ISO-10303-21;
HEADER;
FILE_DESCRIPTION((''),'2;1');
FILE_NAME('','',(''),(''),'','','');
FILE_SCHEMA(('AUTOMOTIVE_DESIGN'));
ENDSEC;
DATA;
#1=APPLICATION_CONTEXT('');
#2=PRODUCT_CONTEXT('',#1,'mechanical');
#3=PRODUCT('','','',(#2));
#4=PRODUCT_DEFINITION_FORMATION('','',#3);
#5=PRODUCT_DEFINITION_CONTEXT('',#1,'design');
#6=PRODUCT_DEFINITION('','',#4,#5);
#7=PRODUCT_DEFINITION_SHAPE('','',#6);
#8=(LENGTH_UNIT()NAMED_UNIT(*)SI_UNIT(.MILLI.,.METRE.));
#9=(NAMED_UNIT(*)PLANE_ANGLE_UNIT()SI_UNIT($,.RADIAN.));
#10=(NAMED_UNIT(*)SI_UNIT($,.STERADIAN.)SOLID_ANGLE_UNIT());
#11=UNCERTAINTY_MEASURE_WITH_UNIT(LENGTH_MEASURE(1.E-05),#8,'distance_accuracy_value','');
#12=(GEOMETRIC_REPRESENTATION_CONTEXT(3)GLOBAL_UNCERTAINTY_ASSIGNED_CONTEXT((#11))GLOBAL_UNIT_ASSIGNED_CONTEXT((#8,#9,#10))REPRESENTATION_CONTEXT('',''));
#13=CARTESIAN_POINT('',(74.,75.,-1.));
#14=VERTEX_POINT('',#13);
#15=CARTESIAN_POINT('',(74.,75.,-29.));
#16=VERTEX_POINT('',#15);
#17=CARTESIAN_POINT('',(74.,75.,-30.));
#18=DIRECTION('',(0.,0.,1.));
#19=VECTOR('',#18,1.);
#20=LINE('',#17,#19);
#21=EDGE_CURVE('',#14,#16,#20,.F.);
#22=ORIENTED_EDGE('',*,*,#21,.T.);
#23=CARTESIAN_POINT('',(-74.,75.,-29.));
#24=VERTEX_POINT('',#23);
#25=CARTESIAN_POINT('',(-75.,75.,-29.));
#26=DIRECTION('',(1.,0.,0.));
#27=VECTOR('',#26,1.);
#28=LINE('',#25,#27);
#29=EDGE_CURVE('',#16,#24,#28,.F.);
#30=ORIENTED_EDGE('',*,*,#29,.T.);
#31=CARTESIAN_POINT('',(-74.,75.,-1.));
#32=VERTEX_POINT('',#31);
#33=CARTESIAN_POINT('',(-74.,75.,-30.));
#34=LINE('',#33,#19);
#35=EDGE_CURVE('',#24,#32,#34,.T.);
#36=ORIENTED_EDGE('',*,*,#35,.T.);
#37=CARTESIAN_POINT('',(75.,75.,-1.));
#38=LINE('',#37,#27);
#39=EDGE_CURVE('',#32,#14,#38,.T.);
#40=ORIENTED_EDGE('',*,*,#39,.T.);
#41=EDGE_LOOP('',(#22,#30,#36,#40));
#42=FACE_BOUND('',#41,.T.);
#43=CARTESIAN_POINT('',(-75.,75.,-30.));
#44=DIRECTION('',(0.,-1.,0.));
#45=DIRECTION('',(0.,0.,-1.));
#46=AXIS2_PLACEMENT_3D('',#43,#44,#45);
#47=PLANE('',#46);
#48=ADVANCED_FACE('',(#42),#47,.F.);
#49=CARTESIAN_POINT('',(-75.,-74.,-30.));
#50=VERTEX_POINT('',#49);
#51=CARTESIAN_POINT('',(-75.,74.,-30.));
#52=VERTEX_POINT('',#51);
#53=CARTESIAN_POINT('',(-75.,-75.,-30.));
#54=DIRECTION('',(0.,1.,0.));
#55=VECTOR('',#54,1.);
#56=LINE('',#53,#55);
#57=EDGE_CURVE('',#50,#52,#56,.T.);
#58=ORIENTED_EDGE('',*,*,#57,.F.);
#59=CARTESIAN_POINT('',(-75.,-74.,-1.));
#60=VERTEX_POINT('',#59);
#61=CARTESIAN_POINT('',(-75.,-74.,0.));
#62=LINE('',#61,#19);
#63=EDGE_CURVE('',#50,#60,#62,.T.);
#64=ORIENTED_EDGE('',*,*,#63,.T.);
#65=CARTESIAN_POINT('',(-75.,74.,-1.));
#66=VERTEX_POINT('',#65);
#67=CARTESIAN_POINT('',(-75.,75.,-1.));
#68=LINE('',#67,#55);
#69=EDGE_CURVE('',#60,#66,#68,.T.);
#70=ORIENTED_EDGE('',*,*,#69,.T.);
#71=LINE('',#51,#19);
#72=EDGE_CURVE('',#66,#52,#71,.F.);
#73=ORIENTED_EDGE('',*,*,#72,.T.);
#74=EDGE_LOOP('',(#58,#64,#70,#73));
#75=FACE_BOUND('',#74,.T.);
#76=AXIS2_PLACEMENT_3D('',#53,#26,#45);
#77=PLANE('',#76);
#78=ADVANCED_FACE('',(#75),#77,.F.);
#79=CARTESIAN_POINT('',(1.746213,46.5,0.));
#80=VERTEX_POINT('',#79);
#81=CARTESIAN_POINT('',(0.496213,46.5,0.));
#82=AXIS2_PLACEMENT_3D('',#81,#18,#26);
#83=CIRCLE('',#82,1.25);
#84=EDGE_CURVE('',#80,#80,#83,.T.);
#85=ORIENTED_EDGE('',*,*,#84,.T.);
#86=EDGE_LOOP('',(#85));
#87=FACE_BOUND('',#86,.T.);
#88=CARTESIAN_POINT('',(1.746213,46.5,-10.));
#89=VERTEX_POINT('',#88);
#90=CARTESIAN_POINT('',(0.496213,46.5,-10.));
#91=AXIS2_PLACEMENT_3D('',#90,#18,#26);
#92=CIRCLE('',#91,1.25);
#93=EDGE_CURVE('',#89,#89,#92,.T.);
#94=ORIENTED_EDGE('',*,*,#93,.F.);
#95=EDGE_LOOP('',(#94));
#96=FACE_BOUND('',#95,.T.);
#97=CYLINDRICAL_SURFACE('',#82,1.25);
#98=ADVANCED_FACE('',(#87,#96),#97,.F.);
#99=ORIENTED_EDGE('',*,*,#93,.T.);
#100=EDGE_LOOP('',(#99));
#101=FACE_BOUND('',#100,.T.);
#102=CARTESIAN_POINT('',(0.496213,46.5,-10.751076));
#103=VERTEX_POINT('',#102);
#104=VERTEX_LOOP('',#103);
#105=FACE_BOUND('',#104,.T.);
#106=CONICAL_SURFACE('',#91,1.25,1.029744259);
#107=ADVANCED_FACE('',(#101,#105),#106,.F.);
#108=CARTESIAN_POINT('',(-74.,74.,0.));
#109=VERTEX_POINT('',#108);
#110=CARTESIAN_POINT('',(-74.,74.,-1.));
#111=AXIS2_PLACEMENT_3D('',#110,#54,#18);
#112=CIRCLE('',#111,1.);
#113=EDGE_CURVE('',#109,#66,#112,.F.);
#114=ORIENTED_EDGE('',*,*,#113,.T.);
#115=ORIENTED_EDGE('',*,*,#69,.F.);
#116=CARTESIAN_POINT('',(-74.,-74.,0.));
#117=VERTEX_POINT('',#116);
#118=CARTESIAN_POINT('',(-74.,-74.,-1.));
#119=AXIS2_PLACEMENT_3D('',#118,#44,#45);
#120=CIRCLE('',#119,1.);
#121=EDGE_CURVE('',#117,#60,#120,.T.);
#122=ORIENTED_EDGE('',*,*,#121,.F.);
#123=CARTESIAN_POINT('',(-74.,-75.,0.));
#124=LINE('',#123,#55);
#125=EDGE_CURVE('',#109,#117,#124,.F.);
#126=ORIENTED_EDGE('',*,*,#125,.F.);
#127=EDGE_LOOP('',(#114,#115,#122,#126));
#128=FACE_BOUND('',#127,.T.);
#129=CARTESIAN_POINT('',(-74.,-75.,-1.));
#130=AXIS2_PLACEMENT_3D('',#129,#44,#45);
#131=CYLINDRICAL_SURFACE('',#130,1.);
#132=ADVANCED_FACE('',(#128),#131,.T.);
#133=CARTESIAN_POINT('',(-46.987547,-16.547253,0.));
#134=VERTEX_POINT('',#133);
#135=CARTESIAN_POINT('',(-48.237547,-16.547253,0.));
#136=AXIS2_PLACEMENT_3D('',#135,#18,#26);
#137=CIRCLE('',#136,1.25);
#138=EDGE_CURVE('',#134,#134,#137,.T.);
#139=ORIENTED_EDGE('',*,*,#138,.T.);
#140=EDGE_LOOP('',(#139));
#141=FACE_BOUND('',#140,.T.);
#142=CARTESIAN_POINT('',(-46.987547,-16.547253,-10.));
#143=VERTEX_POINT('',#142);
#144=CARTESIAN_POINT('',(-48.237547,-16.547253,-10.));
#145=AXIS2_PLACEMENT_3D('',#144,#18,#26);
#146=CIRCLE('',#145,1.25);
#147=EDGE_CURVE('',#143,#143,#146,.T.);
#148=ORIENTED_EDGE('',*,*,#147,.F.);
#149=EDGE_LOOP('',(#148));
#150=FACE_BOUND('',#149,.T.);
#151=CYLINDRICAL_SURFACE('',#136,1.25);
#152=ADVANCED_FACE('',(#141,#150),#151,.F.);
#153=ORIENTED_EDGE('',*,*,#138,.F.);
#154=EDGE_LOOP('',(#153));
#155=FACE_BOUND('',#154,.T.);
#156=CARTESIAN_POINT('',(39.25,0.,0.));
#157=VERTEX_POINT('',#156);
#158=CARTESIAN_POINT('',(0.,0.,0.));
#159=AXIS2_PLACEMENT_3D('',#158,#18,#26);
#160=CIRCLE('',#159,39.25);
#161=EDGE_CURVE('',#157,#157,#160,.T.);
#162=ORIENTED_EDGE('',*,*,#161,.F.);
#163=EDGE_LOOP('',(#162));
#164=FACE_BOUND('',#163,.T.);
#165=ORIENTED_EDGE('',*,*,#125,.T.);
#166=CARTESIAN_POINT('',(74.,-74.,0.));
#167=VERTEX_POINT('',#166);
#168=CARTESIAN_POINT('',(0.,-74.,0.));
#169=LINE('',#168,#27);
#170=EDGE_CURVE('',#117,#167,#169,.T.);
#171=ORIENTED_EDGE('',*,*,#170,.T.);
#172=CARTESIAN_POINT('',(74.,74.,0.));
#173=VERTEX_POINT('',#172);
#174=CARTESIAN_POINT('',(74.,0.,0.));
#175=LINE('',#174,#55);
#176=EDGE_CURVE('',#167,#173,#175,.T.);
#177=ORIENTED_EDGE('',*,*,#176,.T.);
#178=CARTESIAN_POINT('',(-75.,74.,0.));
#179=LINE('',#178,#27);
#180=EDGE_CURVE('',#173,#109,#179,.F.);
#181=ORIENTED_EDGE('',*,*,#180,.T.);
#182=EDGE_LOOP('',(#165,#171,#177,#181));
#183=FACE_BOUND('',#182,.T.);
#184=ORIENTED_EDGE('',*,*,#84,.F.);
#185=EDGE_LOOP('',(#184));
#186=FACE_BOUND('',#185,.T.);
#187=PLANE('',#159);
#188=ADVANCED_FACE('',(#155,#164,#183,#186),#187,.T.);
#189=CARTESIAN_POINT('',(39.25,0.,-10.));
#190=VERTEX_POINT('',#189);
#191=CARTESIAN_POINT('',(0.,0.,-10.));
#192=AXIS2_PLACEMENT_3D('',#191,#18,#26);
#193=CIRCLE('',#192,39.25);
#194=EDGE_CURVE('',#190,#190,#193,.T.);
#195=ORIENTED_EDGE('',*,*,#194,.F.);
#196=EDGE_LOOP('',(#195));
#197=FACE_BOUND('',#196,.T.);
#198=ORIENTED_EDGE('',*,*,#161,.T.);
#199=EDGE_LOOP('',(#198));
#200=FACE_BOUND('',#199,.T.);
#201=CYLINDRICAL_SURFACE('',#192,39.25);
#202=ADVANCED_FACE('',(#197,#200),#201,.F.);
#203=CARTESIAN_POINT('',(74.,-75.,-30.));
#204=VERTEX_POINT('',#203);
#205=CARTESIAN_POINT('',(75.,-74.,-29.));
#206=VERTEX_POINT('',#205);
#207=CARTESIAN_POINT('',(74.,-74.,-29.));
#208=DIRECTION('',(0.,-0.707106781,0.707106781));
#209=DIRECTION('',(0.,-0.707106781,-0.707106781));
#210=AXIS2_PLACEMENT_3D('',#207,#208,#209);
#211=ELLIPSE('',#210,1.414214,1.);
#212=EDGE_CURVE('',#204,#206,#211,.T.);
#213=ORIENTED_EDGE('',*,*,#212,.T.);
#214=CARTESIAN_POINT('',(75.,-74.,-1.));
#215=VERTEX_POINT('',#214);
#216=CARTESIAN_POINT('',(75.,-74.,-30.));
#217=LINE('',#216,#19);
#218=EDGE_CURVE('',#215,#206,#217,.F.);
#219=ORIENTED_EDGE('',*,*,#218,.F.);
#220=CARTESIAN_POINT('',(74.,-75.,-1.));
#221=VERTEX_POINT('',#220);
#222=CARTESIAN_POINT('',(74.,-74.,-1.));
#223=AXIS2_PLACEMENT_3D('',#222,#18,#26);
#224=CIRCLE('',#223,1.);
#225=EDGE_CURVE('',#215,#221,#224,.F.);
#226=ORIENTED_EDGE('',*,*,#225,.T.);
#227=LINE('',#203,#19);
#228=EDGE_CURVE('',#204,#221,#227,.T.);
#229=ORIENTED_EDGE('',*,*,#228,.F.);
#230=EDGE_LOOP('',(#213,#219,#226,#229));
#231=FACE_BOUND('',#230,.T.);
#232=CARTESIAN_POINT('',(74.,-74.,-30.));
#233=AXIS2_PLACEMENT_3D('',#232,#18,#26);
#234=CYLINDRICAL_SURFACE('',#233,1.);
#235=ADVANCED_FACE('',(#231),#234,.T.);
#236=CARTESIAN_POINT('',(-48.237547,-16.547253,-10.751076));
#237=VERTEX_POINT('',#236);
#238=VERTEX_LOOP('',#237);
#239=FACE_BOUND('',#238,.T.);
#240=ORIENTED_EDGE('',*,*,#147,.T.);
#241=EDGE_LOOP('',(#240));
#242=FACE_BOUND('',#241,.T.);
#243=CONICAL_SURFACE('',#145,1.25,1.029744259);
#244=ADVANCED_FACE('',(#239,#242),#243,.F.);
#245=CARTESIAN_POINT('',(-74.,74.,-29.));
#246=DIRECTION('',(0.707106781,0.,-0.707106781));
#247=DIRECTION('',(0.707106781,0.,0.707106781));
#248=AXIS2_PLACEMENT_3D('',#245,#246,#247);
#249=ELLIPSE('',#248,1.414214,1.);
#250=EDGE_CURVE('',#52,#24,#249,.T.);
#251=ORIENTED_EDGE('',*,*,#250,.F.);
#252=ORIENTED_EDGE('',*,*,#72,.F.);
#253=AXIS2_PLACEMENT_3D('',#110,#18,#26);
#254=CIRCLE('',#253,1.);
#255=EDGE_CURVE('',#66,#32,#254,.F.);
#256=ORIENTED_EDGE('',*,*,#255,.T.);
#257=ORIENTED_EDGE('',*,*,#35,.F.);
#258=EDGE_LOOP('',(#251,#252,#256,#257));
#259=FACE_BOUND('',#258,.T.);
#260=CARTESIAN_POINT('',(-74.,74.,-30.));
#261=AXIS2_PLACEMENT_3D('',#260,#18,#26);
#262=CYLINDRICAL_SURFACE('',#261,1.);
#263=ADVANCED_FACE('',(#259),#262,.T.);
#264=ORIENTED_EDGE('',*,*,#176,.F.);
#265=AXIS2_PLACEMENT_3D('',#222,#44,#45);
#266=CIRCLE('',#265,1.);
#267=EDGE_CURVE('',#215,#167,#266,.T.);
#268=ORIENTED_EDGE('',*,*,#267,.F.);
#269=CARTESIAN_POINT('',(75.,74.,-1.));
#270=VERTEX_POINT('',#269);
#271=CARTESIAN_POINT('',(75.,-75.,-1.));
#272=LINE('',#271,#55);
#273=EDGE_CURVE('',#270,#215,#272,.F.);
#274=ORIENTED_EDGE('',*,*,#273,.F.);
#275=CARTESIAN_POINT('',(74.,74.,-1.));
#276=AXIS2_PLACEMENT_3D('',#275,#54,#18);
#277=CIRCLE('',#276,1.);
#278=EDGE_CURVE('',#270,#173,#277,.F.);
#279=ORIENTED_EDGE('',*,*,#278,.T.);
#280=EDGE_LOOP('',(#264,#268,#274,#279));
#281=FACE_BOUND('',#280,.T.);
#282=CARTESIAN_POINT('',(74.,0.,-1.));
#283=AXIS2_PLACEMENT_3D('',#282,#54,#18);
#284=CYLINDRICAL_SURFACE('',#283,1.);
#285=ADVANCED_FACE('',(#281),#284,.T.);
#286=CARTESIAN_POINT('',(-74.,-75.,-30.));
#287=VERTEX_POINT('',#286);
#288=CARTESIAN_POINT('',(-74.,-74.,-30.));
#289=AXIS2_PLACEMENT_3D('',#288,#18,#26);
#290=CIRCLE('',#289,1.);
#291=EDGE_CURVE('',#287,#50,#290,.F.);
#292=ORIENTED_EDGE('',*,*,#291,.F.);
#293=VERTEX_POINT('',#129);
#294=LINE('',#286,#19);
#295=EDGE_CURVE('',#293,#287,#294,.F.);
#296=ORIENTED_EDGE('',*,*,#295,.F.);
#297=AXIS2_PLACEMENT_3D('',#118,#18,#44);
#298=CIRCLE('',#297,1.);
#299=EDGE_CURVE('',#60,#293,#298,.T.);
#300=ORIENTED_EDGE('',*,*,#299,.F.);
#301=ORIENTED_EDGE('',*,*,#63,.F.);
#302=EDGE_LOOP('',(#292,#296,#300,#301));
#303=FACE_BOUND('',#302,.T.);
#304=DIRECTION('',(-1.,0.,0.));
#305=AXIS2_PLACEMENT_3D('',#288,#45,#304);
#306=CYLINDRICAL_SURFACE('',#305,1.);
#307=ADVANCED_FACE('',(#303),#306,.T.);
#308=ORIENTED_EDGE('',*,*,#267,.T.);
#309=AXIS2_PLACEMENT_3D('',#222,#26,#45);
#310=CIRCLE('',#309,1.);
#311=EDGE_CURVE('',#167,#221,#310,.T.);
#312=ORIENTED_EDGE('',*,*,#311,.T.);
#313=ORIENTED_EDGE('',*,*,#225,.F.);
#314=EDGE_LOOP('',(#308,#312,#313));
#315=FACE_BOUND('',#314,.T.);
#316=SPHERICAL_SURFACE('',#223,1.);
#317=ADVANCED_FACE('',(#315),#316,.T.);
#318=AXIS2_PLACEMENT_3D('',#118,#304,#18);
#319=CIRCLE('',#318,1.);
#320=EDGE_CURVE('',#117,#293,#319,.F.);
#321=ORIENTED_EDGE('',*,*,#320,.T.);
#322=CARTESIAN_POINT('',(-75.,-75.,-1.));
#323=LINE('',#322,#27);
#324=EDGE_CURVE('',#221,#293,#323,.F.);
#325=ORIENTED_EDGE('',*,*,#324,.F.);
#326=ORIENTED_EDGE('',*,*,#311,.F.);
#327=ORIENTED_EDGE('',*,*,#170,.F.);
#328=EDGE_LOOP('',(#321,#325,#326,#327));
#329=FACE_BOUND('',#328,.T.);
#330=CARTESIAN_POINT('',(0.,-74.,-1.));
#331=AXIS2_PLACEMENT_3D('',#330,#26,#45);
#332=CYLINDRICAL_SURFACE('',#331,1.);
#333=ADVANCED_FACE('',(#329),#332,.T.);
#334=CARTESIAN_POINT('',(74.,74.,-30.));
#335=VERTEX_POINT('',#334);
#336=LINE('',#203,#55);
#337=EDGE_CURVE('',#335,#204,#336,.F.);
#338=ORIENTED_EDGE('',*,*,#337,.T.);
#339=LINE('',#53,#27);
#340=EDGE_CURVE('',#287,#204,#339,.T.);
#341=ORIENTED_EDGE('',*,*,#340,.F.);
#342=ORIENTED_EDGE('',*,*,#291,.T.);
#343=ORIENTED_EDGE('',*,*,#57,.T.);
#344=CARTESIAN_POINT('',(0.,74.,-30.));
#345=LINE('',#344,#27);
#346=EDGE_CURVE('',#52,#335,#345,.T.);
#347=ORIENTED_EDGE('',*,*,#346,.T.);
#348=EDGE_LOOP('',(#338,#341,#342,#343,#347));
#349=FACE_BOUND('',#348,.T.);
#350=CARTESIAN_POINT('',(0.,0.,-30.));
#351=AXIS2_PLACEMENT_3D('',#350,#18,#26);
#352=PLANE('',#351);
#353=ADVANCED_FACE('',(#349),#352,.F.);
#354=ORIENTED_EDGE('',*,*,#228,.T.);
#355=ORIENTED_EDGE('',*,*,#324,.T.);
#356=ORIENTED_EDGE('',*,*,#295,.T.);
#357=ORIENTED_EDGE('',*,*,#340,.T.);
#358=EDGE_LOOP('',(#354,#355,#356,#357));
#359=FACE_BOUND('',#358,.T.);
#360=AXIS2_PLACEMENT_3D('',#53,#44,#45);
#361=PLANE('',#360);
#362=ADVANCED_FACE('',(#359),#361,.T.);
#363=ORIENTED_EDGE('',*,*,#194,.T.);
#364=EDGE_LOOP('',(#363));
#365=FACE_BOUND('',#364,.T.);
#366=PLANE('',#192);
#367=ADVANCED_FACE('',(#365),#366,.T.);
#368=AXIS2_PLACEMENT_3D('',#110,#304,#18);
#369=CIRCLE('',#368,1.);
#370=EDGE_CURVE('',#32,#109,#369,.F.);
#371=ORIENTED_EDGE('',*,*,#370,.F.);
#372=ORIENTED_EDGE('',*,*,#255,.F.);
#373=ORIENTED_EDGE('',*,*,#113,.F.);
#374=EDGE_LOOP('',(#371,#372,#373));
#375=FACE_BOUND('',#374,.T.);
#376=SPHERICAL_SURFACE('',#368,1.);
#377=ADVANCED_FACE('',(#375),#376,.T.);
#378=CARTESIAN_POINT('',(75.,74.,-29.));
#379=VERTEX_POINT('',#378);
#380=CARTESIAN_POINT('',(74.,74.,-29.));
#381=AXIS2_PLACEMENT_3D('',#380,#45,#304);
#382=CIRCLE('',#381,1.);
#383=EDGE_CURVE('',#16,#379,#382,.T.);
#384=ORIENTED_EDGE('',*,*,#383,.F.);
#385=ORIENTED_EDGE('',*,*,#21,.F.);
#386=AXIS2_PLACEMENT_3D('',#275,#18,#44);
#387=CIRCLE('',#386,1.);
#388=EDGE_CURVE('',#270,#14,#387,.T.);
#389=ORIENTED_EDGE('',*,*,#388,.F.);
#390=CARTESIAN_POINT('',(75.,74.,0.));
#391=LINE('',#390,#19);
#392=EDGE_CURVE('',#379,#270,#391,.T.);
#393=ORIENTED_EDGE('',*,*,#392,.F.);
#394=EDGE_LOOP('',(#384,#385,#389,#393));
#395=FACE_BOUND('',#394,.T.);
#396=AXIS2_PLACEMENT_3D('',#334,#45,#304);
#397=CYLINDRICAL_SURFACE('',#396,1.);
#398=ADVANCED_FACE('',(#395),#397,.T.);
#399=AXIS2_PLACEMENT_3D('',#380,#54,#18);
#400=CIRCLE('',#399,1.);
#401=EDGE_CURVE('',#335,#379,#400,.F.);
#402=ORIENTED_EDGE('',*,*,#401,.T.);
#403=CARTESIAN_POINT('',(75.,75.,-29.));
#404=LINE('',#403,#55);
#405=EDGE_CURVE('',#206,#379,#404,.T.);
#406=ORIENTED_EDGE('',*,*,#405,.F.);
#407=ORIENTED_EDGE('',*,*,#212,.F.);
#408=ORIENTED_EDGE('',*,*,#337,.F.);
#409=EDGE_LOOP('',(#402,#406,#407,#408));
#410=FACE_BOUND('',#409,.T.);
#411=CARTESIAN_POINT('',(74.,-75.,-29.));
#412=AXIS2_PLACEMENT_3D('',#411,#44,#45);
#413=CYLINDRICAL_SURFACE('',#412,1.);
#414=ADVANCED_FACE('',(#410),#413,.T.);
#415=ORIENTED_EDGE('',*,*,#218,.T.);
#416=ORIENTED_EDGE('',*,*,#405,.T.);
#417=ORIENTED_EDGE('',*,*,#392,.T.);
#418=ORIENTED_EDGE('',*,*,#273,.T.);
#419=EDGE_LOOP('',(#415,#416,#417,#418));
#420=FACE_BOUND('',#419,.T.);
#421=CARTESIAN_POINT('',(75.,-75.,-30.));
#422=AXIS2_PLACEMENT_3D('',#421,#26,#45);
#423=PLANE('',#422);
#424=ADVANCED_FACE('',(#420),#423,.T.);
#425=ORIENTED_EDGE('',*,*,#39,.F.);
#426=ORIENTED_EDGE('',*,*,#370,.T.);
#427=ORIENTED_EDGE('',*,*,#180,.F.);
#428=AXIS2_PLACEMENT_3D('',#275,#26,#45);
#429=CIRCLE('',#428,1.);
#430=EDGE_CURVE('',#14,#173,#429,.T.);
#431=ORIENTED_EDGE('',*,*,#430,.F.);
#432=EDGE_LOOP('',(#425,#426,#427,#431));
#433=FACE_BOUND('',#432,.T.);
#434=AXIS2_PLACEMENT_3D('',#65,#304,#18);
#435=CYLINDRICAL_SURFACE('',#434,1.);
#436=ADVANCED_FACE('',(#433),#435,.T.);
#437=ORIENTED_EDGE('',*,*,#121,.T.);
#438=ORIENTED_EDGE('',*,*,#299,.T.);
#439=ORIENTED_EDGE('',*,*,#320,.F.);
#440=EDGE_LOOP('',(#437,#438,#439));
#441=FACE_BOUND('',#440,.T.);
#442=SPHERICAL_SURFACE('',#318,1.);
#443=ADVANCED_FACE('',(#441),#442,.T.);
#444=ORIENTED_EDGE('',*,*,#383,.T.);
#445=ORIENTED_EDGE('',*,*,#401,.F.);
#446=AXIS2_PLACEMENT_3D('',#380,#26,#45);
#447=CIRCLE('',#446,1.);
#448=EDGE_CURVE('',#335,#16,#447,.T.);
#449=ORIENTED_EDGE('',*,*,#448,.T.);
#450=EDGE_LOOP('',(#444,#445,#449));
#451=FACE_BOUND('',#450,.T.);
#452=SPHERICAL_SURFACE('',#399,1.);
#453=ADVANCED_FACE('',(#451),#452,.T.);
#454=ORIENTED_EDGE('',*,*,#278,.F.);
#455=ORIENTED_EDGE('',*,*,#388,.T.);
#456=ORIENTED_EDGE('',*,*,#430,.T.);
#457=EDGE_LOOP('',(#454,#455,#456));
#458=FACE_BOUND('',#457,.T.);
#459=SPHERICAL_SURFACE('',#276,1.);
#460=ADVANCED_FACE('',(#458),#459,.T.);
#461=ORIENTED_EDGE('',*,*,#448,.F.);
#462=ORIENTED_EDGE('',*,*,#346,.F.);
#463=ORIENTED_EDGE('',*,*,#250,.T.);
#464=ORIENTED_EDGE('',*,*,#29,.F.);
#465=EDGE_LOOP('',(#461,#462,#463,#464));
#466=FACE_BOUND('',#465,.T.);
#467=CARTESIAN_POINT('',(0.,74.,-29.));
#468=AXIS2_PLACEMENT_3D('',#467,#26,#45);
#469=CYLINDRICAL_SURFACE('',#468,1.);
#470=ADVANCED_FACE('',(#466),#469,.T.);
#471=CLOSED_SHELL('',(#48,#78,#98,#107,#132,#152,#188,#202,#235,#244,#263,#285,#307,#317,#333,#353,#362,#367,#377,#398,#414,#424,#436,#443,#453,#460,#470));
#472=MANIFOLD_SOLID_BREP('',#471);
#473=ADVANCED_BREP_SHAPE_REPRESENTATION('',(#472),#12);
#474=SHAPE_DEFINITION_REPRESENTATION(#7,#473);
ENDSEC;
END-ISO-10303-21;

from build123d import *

# Parameters (mm, degrees)
SKETCH1_W                       = 150
SKETCH1_H                       = 150
BOSS_EXTRUDE1_DEPTH             = 30
FILLET1_R                       = 1
SKETCH2_R                       = 39.25
CUT_EXTRUDE4_DEPTH              = 10
TAP_DRILL_FOR_M3X0_5_TAP3_D     = 2.5
TAP_DRILL_FOR_M3X0_5_TAP3_DEPTH = 10
TAP_DRILL_FOR_M3X0_5_TAP3_TIP   = 0.751075774


with BuildPart() as part:
    # Sketch1 → Boss-Extrude1 (new body)
    with BuildSketch(Plane.XY):
        Rectangle(SKETCH1_W, SKETCH1_H)
    extrude(amount=-BOSS_EXTRUDE1_DEPTH)

    # Fillet1
    fillet1_edges = [part.edges().sort_by_distance(p)[0] for p in [
        (0, 75, -30),
        (-75, 0, 0),
        (0, 75, 0),
        (75, 0, 0),
        (0, -75, 0),
        (-75, -75, -15),
        (-75, 75, -15),
        (75, 75, -15),
        (75, -75, -15),
        (75, 0, -30),
    ]]
    fillet(fillet1_edges, radius=FILLET1_R)

    # Sketch2 → Cut-Extrude4 (cut)
    with BuildSketch(Plane.XY):
        Circle(SKETCH2_R)
    extrude(amount=-CUT_EXTRUDE4_DEPTH, mode=Mode.SUBTRACT)

    # Tap Drill for M3x0.5 Tap3
    with Locations(Plane.XY):
        with Locations((0.496213053, 46.5), (-48.237547134, -16.547252974)):
            Hole(TAP_DRILL_FOR_M3X0_5_TAP3_D / 2, depth=TAP_DRILL_FOR_M3X0_5_TAP3_DEPTH)
            with Locations((0, 0, -(TAP_DRILL_FOR_M3X0_5_TAP3_DEPTH + TAP_DRILL_FOR_M3X0_5_TAP3_TIP / 2))):  # 118° drill point
                Cone(0, TAP_DRILL_FOR_M3X0_5_TAP3_D / 2, TAP_DRILL_FOR_M3X0_5_TAP3_TIP, mode=Mode.SUBTRACT)


solid = part.part
